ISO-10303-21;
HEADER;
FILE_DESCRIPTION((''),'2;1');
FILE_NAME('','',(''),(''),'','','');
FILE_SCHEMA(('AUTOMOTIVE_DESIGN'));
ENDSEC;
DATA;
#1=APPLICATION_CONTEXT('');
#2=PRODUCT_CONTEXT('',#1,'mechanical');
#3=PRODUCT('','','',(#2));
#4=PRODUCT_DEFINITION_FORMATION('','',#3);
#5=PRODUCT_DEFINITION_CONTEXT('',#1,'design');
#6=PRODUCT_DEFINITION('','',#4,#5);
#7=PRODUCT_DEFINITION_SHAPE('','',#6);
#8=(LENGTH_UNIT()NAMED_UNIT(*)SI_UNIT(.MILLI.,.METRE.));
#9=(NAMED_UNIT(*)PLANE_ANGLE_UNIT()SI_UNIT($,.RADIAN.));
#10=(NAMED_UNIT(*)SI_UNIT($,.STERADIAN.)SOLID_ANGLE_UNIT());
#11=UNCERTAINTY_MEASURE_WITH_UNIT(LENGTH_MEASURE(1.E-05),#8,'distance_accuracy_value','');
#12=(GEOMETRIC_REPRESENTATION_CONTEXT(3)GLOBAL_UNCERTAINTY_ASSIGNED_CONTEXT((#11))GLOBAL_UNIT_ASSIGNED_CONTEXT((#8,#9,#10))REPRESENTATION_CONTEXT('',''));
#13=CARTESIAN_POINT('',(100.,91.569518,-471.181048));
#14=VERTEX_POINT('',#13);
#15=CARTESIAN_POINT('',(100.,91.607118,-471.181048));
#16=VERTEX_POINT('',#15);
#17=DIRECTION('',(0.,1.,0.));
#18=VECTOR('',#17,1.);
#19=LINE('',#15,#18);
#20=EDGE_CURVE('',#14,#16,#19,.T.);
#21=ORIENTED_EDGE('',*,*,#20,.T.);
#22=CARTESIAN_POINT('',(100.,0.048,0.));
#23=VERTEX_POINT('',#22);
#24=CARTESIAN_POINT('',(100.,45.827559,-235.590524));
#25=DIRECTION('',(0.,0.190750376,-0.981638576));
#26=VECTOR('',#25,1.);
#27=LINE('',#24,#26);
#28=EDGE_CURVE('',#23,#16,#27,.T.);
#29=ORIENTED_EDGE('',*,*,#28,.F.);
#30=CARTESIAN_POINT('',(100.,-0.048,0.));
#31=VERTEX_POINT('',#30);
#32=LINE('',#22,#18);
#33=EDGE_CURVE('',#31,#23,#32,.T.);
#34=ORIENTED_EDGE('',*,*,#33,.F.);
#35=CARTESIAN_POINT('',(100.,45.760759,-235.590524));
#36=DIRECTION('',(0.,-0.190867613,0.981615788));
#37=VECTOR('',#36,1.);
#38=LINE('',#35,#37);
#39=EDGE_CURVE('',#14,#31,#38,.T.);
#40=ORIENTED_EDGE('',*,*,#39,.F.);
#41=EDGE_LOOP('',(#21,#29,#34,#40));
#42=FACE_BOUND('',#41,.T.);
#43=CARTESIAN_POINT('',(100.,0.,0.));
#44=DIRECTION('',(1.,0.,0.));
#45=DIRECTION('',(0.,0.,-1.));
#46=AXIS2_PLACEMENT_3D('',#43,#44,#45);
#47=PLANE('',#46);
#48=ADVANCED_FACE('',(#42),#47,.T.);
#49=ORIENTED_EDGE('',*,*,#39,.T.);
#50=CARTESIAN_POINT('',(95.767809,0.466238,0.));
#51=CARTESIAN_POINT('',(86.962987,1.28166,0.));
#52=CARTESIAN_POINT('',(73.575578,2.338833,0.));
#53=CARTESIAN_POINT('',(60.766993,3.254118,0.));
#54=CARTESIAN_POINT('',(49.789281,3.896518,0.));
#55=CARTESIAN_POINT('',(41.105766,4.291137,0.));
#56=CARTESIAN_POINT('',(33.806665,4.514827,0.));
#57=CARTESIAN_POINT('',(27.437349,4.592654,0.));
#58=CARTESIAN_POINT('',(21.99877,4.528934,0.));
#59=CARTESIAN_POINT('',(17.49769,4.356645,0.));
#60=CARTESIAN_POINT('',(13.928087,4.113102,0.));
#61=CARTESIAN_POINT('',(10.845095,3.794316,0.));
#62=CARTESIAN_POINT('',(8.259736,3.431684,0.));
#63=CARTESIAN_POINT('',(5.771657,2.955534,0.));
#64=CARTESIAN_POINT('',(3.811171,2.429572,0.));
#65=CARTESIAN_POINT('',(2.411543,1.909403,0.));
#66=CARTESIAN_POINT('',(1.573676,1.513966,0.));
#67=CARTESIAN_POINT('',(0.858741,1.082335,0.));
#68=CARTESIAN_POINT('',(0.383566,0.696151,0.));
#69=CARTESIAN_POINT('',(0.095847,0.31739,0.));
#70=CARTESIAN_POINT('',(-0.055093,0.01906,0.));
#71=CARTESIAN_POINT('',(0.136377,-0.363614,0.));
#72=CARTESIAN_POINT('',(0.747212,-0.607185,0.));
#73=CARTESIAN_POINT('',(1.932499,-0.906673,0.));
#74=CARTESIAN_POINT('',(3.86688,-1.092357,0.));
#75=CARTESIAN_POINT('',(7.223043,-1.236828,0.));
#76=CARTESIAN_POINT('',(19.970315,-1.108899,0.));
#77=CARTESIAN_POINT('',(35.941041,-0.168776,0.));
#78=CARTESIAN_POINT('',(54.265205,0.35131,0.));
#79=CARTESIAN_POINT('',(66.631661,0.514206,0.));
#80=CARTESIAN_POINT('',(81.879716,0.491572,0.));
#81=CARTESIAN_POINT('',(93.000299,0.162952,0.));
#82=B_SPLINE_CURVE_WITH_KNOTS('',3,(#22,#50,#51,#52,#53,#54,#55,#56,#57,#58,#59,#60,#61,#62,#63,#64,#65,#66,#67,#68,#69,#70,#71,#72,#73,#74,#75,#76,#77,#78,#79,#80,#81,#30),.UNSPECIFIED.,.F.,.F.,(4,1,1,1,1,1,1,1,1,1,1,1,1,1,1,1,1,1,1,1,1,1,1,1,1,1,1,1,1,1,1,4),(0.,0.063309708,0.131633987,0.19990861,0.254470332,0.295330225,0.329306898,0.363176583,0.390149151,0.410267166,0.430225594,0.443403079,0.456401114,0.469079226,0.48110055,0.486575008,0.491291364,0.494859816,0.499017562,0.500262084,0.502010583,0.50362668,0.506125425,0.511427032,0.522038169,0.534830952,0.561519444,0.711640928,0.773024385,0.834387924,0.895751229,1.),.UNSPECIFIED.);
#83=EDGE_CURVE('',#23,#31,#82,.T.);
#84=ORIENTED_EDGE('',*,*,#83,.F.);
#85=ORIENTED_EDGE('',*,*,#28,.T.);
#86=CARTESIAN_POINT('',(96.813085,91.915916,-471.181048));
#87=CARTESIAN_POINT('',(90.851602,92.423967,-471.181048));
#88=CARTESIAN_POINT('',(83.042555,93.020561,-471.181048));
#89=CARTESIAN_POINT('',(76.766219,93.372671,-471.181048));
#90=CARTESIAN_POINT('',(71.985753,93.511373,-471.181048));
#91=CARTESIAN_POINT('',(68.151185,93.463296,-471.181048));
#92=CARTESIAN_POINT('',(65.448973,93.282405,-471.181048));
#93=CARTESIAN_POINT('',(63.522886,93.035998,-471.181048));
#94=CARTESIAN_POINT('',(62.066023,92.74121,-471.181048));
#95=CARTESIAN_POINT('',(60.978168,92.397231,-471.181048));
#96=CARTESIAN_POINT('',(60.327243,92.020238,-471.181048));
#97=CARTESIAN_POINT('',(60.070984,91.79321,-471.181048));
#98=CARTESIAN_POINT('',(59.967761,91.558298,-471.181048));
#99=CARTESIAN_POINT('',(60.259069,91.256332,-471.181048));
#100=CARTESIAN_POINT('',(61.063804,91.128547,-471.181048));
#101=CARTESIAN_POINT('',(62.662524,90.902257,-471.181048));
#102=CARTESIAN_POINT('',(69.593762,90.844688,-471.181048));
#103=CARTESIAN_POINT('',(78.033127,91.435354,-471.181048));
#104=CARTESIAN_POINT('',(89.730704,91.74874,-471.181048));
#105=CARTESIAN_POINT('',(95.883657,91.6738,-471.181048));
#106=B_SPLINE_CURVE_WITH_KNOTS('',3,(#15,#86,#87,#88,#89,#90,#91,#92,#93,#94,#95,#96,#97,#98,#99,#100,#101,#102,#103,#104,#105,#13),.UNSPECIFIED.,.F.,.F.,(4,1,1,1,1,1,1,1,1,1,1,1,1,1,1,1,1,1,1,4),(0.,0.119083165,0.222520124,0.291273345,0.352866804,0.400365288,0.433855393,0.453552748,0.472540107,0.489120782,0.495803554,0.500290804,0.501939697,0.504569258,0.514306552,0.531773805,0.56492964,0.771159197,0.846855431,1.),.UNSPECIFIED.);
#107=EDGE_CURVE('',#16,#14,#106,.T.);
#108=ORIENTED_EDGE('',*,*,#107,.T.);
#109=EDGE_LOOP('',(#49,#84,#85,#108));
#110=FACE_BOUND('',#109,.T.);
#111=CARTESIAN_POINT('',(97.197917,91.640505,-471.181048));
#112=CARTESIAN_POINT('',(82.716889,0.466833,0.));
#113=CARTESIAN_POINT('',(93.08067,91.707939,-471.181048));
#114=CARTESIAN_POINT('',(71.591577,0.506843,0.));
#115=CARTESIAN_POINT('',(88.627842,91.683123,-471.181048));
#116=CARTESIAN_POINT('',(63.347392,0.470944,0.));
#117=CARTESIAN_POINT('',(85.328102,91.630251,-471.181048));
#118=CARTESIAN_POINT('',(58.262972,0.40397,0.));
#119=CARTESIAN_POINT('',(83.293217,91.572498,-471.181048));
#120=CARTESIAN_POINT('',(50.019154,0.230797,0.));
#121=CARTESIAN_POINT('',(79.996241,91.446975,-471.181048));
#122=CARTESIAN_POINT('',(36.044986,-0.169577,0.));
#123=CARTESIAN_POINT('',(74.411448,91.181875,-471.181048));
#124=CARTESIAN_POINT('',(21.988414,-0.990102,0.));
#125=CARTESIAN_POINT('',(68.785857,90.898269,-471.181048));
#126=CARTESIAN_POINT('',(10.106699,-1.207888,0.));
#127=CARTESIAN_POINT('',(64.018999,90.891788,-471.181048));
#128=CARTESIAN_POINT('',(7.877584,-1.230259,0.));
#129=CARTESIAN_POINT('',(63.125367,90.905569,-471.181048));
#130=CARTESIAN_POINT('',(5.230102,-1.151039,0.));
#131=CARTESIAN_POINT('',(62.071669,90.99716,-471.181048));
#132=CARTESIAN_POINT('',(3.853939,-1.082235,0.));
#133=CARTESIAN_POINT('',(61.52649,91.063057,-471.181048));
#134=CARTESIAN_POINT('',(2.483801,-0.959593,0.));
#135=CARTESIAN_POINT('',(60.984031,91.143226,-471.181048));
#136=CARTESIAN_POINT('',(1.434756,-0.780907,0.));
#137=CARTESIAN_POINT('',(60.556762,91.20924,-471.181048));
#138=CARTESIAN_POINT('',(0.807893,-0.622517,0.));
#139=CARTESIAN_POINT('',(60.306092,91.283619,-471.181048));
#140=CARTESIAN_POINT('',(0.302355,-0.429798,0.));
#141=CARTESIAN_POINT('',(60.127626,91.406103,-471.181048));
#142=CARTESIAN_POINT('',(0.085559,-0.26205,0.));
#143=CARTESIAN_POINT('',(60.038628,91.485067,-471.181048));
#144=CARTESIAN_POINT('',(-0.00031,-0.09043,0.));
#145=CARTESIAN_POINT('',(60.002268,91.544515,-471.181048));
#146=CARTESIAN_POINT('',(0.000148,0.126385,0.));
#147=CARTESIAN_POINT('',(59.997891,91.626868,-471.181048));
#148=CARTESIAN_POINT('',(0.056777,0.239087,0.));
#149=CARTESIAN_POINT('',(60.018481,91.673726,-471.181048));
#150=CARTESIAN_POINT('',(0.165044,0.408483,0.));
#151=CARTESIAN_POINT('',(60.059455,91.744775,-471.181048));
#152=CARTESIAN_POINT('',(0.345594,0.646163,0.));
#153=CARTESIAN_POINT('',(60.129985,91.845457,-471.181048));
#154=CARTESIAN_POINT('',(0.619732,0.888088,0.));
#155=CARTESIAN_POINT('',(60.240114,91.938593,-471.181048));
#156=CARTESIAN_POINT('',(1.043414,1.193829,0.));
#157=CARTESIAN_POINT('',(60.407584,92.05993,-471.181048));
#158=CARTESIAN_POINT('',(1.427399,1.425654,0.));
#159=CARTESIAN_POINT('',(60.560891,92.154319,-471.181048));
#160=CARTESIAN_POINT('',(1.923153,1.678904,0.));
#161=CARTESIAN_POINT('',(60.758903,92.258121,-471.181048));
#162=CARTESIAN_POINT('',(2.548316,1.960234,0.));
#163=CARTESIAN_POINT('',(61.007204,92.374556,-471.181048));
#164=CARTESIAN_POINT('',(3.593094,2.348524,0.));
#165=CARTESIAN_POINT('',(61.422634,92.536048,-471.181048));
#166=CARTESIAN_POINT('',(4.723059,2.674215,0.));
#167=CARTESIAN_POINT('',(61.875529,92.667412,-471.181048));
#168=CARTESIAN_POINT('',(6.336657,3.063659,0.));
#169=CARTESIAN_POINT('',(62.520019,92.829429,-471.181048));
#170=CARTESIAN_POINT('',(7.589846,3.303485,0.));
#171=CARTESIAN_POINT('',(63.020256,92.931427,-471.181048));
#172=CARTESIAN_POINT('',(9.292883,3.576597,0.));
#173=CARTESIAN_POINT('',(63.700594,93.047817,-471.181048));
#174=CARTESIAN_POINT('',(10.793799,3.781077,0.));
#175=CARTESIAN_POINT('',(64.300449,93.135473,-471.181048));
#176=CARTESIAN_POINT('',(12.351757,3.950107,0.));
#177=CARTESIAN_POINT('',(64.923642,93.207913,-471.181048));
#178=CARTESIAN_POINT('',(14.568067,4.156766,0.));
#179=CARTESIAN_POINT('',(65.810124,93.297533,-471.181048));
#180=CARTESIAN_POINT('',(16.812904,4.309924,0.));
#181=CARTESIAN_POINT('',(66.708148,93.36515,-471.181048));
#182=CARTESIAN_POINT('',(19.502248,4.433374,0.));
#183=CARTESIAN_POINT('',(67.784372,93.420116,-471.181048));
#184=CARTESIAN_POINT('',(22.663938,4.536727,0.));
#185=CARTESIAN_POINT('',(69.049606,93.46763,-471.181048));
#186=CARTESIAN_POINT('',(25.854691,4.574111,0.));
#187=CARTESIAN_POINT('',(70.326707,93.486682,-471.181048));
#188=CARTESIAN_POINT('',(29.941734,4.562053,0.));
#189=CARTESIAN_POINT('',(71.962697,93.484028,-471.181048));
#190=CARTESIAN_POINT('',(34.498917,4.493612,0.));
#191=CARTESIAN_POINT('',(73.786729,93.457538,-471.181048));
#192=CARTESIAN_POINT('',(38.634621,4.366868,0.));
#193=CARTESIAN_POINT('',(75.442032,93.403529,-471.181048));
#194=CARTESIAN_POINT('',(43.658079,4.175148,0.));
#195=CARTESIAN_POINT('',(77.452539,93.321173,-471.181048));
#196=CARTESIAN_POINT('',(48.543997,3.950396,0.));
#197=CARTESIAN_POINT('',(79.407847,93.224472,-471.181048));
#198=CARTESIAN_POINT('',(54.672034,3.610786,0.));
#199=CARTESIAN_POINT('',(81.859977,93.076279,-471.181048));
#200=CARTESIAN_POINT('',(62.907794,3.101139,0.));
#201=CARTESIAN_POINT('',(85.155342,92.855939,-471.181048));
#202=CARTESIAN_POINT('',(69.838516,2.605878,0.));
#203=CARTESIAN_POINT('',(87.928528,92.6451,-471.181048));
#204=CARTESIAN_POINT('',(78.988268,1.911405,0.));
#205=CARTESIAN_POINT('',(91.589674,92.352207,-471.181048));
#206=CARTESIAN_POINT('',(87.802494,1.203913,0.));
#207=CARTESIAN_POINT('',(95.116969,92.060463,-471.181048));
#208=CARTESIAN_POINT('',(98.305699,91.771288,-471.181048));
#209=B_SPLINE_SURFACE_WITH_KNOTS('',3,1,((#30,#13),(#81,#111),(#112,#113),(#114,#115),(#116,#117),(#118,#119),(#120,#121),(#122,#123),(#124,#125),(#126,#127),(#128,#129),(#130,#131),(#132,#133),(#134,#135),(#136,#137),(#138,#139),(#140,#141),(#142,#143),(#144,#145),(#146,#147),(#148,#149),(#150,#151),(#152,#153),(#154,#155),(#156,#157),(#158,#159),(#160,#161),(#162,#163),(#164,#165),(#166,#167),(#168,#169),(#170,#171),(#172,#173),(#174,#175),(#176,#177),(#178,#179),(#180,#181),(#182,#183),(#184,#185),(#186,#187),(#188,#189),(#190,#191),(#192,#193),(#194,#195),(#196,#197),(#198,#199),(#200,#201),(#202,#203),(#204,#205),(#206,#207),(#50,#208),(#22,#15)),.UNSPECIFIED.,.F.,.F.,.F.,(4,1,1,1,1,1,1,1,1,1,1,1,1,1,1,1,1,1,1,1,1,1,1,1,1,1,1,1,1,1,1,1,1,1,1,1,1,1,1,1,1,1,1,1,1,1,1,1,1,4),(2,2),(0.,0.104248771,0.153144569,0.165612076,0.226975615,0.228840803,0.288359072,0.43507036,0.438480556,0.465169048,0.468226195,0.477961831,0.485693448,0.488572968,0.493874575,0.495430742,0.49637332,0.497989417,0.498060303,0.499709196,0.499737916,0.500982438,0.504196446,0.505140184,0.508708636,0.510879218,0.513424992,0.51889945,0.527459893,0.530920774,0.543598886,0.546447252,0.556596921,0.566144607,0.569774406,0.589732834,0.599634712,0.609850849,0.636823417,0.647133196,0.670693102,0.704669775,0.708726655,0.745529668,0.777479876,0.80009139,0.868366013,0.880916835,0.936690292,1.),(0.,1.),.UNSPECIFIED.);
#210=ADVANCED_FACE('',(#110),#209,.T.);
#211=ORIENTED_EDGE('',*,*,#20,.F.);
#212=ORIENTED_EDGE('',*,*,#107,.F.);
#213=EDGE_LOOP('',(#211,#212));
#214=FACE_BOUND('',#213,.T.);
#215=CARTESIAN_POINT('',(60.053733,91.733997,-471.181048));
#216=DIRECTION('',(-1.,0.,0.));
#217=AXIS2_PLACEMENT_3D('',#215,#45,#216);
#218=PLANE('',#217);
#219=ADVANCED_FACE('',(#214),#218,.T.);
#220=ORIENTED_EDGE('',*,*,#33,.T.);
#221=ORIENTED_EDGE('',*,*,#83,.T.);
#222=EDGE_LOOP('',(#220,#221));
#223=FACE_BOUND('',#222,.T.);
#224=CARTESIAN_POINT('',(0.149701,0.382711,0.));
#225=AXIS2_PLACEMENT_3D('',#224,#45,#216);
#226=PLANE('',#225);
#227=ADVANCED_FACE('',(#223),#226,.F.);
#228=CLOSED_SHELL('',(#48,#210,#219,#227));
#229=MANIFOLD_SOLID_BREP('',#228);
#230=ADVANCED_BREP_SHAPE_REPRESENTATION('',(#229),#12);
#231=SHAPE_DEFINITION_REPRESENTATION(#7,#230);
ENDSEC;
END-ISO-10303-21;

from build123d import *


with BuildPart() as part:
    # Skizze Wurzelrippe → Ausformung16 section 0
    with BuildSketch(Plane.XY):
        with BuildLine():
            Line((100, 0.048), (100, -0.048))
            add(Edge.make_bspline(
                [(100, 0.048), (95.76780906, 0.466238224), (86.962986678, 1.281660456), (73.575578397, 2.33883276), (60.766992854, 3.254117807), (49.789281318, 3.896518455), (41.105766024, 4.291136933), (33.806664906, 4.514826506), (27.437349199, 4.592654373), (21.998770096, 4.528934094), (17.497689787, 4.356644902), (13.928086723, 4.113102174), (10.845094745, 3.794315736), (8.259736488, 3.431683712), (5.771657131, 2.955533633), (3.811170609, 2.429571898), (2.4115434, 1.909402968), (1.573676426, 1.513966323), (0.858740558, 1.082335018), (0.383566208, 0.696150878), (0.095847034, 0.317390082), (-0.055093233, 0.019059873), (0.136376618, -0.363613561), (0.747212217, -0.607184857), (1.932498743, -0.906672696), (3.866879599, -1.092357286), (7.223042712, -1.236828215), (19.970315183, -1.108898541), (35.941041208, -0.168776381), (54.265204708, 0.35131035), (66.631661343, 0.514205727), (81.879716403, 0.491571988), (93.000298576, 0.162951508), (100, -0.048)],
                knots=[0, 0, 0, 0, 0.063309708, 0.131633987, 0.19990861, 0.254470332, 0.295330225, 0.329306898, 0.363176583, 0.390149151, 0.410267166, 0.430225594, 0.443403079, 0.456401114, 0.469079226, 0.48110055, 0.486575008, 0.491291364, 0.494859816, 0.499017562, 0.500262084, 0.502010583, 0.50362668, 0.506125425, 0.511427032, 0.522038169, 0.534830952, 0.561519444, 0.711640928, 0.773024385, 0.834387924, 0.895751229, 1, 1, 1, 1], degree=3))
        make_face()
    # Skizze Endrippe → Ausformung16 section 1
    with BuildSketch(Plane.XY.offset(-471.181048055)):
        with BuildLine():
            Line((100, 91.607117781), (100, 91.569517781))
            add(Edge.make_bspline(
                [(100, 91.607117781), (96.813084542, 91.915916126), (90.851601777, 92.423967443), (83.042555071, 93.020560863), (76.766219194, 93.372671012), (71.985752743, 93.511372801), (68.15118546, 93.463295528), (65.448973202, 93.282405483), (63.522885619, 93.035998392), (62.066022983, 92.741210279), (60.978168166, 92.397231129), (60.327242931, 92.020237831), (60.070984152, 91.793209931), (59.967760624, 91.558297938), (60.25906926, 91.256332084), (61.063803834, 91.128547076), (62.662524186, 90.902257484), (69.59376235, 90.844687933), (78.033126522, 91.435354055), (89.730703741, 91.748740201), (95.883656532, 91.673799724), (100, 91.569517781)],
                knots=[0, 0, 0, 0, 0.119083165, 0.222520124, 0.291273345, 0.352866804, 0.400365288, 0.433855393, 0.453552748, 0.472540107, 0.489120782, 0.495803554, 0.500290804, 0.501939697, 0.504569258, 0.514306552, 0.531773805, 0.56492964, 0.771159197, 0.846855431, 1, 1, 1, 1], degree=3))
        make_face()
    loft()


solid = part.part
